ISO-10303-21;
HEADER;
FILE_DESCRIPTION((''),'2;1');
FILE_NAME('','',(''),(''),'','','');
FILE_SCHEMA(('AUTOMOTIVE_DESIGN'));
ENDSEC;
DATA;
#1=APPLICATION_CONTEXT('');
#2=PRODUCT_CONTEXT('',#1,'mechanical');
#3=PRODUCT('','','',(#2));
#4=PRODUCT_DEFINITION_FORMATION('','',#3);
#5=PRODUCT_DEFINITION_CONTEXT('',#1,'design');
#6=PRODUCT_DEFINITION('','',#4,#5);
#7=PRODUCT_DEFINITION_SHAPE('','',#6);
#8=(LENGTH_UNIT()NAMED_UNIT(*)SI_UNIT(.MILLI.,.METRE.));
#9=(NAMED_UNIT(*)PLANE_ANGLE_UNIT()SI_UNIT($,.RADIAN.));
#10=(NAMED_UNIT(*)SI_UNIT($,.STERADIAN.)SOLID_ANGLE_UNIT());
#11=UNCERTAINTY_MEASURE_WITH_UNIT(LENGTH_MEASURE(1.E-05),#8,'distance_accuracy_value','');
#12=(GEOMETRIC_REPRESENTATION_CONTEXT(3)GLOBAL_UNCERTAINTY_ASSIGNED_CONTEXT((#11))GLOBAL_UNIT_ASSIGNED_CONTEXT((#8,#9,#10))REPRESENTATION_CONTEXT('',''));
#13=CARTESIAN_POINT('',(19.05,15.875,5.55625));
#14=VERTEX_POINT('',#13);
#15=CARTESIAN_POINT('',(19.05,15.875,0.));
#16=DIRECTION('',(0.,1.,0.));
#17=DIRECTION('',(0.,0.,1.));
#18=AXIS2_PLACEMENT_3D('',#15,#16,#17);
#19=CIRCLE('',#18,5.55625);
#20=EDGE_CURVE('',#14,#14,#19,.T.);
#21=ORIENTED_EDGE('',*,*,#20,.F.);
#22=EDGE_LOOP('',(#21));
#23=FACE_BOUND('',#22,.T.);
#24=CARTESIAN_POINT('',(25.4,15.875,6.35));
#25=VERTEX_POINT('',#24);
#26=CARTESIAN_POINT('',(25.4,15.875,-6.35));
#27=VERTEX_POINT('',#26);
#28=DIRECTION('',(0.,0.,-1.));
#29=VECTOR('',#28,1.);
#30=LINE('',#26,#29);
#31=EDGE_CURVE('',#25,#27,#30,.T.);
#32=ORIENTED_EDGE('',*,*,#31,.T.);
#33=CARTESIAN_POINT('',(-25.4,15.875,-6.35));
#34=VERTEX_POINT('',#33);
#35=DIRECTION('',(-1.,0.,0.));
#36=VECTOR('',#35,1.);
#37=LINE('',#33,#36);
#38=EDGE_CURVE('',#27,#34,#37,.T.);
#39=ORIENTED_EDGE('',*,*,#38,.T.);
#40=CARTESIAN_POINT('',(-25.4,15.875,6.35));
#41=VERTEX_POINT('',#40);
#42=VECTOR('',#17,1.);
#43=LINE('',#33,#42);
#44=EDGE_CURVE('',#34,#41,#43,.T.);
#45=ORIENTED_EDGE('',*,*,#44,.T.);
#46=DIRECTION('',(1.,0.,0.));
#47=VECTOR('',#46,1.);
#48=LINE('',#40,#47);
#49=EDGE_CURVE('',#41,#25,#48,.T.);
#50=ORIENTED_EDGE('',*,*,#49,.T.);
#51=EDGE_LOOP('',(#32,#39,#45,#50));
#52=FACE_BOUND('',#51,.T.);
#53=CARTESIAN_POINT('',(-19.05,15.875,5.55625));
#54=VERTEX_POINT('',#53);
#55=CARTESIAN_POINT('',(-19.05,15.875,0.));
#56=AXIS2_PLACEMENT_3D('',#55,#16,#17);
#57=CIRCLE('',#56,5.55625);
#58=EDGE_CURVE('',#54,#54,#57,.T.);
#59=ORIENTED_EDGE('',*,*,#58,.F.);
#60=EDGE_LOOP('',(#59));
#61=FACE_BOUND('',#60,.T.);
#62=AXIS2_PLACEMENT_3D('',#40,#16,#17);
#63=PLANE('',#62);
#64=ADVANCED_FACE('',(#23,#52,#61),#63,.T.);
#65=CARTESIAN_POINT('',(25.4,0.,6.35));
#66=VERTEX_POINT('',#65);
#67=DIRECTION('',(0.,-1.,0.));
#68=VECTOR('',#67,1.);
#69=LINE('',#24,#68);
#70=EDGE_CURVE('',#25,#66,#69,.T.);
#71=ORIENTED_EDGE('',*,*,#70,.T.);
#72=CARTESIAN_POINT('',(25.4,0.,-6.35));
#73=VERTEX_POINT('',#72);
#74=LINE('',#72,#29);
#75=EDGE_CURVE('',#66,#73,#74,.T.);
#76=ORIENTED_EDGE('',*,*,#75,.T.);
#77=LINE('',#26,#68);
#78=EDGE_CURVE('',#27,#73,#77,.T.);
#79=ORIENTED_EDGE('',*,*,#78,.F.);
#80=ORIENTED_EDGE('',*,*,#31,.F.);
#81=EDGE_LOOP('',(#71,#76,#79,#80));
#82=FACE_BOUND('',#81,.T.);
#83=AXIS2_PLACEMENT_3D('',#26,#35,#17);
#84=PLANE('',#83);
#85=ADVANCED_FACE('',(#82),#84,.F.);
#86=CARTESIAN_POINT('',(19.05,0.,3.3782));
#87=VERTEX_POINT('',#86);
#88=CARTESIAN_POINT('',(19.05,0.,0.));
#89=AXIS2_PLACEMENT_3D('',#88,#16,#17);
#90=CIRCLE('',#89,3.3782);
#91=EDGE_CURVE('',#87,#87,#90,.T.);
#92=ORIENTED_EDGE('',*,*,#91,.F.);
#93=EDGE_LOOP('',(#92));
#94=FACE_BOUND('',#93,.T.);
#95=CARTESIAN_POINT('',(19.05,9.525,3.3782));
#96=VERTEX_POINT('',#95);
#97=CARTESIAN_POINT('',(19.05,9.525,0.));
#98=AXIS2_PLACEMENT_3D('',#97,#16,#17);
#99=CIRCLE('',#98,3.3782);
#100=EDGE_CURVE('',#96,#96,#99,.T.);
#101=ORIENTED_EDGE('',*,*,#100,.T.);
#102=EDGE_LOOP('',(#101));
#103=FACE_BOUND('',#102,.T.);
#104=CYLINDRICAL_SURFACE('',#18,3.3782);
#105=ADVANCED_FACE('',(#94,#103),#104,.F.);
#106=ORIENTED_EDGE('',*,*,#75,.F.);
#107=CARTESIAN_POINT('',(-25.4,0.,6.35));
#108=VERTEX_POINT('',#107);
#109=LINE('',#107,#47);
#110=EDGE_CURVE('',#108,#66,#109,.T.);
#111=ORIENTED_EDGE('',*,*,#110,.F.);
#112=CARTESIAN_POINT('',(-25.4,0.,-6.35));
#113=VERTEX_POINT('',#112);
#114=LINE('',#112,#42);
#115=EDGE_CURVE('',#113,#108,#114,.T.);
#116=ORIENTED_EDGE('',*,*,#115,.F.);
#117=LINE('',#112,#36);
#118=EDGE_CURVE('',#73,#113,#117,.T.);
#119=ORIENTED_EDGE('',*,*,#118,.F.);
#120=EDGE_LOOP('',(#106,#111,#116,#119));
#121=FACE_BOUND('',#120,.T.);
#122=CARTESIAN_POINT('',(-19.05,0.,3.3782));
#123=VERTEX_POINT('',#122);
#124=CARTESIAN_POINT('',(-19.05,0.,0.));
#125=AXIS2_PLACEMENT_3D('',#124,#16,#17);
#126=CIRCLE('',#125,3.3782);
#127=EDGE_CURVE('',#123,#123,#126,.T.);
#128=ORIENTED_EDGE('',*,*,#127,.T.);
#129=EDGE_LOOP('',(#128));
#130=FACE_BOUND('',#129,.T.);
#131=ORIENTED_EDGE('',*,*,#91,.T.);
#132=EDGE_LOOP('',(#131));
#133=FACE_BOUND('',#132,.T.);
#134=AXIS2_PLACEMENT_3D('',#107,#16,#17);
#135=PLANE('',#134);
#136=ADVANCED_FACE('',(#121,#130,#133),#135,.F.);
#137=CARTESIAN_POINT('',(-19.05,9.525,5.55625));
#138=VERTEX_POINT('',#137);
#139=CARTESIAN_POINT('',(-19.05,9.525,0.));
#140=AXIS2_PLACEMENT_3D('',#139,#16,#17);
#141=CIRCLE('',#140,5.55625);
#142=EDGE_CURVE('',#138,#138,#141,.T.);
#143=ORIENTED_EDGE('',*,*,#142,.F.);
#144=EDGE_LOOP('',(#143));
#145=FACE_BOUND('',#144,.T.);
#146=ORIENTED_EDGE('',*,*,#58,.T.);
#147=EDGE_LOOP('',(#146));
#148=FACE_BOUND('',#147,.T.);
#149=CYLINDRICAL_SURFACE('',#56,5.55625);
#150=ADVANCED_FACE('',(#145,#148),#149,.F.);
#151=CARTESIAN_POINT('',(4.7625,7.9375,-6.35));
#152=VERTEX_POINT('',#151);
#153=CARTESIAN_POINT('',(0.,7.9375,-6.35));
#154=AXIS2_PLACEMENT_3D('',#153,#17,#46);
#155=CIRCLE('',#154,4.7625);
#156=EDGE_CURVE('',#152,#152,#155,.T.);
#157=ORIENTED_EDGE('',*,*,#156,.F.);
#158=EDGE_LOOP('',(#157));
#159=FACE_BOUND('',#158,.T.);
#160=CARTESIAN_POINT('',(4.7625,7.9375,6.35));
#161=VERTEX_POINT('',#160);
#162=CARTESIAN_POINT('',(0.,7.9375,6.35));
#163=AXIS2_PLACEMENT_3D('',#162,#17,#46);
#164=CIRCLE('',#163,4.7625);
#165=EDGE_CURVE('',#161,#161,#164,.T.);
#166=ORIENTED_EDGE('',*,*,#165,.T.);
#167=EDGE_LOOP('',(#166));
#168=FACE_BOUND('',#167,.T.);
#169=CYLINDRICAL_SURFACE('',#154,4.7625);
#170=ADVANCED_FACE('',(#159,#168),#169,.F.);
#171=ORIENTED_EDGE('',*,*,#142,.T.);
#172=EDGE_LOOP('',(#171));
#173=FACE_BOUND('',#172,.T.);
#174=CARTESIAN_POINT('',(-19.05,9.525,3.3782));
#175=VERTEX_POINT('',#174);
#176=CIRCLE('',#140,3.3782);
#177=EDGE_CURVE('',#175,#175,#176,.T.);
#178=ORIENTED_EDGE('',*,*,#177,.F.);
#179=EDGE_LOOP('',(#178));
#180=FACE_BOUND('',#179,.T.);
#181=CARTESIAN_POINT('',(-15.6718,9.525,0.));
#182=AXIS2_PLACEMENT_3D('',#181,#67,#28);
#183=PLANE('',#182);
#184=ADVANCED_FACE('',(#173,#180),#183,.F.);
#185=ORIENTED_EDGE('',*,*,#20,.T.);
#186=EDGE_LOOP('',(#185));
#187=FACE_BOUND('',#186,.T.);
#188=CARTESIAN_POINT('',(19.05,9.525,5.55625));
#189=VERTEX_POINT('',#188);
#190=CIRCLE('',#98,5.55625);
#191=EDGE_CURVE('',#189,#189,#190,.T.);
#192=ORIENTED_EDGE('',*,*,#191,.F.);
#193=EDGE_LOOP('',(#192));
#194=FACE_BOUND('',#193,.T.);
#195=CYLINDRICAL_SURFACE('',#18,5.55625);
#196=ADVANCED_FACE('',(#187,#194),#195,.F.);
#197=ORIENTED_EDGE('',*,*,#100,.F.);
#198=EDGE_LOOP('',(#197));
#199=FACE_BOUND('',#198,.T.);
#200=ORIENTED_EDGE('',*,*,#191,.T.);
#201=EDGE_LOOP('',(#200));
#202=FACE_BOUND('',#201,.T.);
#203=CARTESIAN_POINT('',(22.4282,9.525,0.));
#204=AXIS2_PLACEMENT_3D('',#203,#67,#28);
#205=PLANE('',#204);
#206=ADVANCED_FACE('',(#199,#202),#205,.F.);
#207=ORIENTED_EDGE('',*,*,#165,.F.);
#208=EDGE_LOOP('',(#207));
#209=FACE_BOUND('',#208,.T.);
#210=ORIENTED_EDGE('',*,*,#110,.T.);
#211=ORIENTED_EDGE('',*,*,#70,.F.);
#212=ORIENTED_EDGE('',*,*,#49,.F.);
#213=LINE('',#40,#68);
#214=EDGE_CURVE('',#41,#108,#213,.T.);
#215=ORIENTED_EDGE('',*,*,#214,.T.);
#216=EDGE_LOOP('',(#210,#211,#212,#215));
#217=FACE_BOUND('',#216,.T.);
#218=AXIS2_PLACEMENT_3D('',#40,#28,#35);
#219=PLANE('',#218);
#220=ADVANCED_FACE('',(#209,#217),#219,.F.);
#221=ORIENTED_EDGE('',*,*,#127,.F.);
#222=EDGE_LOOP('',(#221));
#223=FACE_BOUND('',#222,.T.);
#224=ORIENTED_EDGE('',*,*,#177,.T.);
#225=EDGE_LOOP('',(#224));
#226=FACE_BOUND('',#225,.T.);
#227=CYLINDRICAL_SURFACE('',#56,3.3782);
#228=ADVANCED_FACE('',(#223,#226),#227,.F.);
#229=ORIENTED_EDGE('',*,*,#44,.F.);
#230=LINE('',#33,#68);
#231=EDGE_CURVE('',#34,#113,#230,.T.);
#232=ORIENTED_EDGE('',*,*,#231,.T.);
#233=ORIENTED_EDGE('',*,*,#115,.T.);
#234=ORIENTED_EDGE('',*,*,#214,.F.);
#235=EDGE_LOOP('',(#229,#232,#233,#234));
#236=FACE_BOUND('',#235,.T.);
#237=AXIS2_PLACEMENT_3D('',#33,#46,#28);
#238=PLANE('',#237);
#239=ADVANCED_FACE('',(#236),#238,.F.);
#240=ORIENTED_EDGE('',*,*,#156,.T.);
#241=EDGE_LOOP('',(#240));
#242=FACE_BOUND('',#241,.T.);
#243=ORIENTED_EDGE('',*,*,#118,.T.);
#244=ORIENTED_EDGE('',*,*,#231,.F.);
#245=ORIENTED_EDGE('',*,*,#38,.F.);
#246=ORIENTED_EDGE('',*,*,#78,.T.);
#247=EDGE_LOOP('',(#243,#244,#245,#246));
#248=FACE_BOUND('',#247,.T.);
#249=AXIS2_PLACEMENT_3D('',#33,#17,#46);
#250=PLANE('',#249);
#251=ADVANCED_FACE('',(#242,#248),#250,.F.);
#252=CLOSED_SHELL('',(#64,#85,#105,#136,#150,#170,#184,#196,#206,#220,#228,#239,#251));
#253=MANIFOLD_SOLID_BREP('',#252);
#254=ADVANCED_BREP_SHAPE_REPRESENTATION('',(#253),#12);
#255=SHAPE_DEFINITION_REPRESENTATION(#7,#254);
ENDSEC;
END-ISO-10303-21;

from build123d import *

# Parameters (mm, degrees)
SKETCH1_W                                        = 50.8
SKETCH1_H                                        = 12.7
EXTRUDE1_DEPTH                                   = 15.875
SKETCH3_R                                        = 4.7625
CUT_EXTRUDE2_DEPTH                               = 33.534068682
CBORE_FOR_1_4_SOCKET_HEAD_CAP_SCREW1_D           = 6.7564
CBORE_FOR_1_4_SOCKET_HEAD_CAP_SCREW1_CBORE_D     = 11.1125
CBORE_FOR_1_4_SOCKET_HEAD_CAP_SCREW1_CBORE_DEPTH = 6.35


with BuildPart() as part:
    # Sketch1 → Extrude1 (new body)
    with BuildSketch(Plane(origin=(0, 0, 0), x_dir=(1, 0, 0), z_dir=(0, 1, 0))):
        Rectangle(SKETCH1_W, SKETCH1_H)
    extrude(amount=EXTRUDE1_DEPTH)

    # Sketch3 → Cut-Extrude2 (cut, through all)
    with BuildSketch(Plane.XY.offset(6.35)):
        with Locations((0, 7.9375)):
            Circle(SKETCH3_R)
    extrude(amount=-CUT_EXTRUDE2_DEPTH, mode=Mode.SUBTRACT)

    # CBORE for 1/4 Socket Head Cap Screw1 (through all)
    with Locations(Plane(origin=(0, 15.875, 0), x_dir=(-1, 0, 0), z_dir=(0, 1, 0))):
        with Locations((-19.05, 0), (19.05, 0)):
            CounterBoreHole(CBORE_FOR_1_4_SOCKET_HEAD_CAP_SCREW1_D / 2, CBORE_FOR_1_4_SOCKET_HEAD_CAP_SCREW1_CBORE_D / 2, CBORE_FOR_1_4_SOCKET_HEAD_CAP_SCREW1_CBORE_DEPTH)


solid = part.part
